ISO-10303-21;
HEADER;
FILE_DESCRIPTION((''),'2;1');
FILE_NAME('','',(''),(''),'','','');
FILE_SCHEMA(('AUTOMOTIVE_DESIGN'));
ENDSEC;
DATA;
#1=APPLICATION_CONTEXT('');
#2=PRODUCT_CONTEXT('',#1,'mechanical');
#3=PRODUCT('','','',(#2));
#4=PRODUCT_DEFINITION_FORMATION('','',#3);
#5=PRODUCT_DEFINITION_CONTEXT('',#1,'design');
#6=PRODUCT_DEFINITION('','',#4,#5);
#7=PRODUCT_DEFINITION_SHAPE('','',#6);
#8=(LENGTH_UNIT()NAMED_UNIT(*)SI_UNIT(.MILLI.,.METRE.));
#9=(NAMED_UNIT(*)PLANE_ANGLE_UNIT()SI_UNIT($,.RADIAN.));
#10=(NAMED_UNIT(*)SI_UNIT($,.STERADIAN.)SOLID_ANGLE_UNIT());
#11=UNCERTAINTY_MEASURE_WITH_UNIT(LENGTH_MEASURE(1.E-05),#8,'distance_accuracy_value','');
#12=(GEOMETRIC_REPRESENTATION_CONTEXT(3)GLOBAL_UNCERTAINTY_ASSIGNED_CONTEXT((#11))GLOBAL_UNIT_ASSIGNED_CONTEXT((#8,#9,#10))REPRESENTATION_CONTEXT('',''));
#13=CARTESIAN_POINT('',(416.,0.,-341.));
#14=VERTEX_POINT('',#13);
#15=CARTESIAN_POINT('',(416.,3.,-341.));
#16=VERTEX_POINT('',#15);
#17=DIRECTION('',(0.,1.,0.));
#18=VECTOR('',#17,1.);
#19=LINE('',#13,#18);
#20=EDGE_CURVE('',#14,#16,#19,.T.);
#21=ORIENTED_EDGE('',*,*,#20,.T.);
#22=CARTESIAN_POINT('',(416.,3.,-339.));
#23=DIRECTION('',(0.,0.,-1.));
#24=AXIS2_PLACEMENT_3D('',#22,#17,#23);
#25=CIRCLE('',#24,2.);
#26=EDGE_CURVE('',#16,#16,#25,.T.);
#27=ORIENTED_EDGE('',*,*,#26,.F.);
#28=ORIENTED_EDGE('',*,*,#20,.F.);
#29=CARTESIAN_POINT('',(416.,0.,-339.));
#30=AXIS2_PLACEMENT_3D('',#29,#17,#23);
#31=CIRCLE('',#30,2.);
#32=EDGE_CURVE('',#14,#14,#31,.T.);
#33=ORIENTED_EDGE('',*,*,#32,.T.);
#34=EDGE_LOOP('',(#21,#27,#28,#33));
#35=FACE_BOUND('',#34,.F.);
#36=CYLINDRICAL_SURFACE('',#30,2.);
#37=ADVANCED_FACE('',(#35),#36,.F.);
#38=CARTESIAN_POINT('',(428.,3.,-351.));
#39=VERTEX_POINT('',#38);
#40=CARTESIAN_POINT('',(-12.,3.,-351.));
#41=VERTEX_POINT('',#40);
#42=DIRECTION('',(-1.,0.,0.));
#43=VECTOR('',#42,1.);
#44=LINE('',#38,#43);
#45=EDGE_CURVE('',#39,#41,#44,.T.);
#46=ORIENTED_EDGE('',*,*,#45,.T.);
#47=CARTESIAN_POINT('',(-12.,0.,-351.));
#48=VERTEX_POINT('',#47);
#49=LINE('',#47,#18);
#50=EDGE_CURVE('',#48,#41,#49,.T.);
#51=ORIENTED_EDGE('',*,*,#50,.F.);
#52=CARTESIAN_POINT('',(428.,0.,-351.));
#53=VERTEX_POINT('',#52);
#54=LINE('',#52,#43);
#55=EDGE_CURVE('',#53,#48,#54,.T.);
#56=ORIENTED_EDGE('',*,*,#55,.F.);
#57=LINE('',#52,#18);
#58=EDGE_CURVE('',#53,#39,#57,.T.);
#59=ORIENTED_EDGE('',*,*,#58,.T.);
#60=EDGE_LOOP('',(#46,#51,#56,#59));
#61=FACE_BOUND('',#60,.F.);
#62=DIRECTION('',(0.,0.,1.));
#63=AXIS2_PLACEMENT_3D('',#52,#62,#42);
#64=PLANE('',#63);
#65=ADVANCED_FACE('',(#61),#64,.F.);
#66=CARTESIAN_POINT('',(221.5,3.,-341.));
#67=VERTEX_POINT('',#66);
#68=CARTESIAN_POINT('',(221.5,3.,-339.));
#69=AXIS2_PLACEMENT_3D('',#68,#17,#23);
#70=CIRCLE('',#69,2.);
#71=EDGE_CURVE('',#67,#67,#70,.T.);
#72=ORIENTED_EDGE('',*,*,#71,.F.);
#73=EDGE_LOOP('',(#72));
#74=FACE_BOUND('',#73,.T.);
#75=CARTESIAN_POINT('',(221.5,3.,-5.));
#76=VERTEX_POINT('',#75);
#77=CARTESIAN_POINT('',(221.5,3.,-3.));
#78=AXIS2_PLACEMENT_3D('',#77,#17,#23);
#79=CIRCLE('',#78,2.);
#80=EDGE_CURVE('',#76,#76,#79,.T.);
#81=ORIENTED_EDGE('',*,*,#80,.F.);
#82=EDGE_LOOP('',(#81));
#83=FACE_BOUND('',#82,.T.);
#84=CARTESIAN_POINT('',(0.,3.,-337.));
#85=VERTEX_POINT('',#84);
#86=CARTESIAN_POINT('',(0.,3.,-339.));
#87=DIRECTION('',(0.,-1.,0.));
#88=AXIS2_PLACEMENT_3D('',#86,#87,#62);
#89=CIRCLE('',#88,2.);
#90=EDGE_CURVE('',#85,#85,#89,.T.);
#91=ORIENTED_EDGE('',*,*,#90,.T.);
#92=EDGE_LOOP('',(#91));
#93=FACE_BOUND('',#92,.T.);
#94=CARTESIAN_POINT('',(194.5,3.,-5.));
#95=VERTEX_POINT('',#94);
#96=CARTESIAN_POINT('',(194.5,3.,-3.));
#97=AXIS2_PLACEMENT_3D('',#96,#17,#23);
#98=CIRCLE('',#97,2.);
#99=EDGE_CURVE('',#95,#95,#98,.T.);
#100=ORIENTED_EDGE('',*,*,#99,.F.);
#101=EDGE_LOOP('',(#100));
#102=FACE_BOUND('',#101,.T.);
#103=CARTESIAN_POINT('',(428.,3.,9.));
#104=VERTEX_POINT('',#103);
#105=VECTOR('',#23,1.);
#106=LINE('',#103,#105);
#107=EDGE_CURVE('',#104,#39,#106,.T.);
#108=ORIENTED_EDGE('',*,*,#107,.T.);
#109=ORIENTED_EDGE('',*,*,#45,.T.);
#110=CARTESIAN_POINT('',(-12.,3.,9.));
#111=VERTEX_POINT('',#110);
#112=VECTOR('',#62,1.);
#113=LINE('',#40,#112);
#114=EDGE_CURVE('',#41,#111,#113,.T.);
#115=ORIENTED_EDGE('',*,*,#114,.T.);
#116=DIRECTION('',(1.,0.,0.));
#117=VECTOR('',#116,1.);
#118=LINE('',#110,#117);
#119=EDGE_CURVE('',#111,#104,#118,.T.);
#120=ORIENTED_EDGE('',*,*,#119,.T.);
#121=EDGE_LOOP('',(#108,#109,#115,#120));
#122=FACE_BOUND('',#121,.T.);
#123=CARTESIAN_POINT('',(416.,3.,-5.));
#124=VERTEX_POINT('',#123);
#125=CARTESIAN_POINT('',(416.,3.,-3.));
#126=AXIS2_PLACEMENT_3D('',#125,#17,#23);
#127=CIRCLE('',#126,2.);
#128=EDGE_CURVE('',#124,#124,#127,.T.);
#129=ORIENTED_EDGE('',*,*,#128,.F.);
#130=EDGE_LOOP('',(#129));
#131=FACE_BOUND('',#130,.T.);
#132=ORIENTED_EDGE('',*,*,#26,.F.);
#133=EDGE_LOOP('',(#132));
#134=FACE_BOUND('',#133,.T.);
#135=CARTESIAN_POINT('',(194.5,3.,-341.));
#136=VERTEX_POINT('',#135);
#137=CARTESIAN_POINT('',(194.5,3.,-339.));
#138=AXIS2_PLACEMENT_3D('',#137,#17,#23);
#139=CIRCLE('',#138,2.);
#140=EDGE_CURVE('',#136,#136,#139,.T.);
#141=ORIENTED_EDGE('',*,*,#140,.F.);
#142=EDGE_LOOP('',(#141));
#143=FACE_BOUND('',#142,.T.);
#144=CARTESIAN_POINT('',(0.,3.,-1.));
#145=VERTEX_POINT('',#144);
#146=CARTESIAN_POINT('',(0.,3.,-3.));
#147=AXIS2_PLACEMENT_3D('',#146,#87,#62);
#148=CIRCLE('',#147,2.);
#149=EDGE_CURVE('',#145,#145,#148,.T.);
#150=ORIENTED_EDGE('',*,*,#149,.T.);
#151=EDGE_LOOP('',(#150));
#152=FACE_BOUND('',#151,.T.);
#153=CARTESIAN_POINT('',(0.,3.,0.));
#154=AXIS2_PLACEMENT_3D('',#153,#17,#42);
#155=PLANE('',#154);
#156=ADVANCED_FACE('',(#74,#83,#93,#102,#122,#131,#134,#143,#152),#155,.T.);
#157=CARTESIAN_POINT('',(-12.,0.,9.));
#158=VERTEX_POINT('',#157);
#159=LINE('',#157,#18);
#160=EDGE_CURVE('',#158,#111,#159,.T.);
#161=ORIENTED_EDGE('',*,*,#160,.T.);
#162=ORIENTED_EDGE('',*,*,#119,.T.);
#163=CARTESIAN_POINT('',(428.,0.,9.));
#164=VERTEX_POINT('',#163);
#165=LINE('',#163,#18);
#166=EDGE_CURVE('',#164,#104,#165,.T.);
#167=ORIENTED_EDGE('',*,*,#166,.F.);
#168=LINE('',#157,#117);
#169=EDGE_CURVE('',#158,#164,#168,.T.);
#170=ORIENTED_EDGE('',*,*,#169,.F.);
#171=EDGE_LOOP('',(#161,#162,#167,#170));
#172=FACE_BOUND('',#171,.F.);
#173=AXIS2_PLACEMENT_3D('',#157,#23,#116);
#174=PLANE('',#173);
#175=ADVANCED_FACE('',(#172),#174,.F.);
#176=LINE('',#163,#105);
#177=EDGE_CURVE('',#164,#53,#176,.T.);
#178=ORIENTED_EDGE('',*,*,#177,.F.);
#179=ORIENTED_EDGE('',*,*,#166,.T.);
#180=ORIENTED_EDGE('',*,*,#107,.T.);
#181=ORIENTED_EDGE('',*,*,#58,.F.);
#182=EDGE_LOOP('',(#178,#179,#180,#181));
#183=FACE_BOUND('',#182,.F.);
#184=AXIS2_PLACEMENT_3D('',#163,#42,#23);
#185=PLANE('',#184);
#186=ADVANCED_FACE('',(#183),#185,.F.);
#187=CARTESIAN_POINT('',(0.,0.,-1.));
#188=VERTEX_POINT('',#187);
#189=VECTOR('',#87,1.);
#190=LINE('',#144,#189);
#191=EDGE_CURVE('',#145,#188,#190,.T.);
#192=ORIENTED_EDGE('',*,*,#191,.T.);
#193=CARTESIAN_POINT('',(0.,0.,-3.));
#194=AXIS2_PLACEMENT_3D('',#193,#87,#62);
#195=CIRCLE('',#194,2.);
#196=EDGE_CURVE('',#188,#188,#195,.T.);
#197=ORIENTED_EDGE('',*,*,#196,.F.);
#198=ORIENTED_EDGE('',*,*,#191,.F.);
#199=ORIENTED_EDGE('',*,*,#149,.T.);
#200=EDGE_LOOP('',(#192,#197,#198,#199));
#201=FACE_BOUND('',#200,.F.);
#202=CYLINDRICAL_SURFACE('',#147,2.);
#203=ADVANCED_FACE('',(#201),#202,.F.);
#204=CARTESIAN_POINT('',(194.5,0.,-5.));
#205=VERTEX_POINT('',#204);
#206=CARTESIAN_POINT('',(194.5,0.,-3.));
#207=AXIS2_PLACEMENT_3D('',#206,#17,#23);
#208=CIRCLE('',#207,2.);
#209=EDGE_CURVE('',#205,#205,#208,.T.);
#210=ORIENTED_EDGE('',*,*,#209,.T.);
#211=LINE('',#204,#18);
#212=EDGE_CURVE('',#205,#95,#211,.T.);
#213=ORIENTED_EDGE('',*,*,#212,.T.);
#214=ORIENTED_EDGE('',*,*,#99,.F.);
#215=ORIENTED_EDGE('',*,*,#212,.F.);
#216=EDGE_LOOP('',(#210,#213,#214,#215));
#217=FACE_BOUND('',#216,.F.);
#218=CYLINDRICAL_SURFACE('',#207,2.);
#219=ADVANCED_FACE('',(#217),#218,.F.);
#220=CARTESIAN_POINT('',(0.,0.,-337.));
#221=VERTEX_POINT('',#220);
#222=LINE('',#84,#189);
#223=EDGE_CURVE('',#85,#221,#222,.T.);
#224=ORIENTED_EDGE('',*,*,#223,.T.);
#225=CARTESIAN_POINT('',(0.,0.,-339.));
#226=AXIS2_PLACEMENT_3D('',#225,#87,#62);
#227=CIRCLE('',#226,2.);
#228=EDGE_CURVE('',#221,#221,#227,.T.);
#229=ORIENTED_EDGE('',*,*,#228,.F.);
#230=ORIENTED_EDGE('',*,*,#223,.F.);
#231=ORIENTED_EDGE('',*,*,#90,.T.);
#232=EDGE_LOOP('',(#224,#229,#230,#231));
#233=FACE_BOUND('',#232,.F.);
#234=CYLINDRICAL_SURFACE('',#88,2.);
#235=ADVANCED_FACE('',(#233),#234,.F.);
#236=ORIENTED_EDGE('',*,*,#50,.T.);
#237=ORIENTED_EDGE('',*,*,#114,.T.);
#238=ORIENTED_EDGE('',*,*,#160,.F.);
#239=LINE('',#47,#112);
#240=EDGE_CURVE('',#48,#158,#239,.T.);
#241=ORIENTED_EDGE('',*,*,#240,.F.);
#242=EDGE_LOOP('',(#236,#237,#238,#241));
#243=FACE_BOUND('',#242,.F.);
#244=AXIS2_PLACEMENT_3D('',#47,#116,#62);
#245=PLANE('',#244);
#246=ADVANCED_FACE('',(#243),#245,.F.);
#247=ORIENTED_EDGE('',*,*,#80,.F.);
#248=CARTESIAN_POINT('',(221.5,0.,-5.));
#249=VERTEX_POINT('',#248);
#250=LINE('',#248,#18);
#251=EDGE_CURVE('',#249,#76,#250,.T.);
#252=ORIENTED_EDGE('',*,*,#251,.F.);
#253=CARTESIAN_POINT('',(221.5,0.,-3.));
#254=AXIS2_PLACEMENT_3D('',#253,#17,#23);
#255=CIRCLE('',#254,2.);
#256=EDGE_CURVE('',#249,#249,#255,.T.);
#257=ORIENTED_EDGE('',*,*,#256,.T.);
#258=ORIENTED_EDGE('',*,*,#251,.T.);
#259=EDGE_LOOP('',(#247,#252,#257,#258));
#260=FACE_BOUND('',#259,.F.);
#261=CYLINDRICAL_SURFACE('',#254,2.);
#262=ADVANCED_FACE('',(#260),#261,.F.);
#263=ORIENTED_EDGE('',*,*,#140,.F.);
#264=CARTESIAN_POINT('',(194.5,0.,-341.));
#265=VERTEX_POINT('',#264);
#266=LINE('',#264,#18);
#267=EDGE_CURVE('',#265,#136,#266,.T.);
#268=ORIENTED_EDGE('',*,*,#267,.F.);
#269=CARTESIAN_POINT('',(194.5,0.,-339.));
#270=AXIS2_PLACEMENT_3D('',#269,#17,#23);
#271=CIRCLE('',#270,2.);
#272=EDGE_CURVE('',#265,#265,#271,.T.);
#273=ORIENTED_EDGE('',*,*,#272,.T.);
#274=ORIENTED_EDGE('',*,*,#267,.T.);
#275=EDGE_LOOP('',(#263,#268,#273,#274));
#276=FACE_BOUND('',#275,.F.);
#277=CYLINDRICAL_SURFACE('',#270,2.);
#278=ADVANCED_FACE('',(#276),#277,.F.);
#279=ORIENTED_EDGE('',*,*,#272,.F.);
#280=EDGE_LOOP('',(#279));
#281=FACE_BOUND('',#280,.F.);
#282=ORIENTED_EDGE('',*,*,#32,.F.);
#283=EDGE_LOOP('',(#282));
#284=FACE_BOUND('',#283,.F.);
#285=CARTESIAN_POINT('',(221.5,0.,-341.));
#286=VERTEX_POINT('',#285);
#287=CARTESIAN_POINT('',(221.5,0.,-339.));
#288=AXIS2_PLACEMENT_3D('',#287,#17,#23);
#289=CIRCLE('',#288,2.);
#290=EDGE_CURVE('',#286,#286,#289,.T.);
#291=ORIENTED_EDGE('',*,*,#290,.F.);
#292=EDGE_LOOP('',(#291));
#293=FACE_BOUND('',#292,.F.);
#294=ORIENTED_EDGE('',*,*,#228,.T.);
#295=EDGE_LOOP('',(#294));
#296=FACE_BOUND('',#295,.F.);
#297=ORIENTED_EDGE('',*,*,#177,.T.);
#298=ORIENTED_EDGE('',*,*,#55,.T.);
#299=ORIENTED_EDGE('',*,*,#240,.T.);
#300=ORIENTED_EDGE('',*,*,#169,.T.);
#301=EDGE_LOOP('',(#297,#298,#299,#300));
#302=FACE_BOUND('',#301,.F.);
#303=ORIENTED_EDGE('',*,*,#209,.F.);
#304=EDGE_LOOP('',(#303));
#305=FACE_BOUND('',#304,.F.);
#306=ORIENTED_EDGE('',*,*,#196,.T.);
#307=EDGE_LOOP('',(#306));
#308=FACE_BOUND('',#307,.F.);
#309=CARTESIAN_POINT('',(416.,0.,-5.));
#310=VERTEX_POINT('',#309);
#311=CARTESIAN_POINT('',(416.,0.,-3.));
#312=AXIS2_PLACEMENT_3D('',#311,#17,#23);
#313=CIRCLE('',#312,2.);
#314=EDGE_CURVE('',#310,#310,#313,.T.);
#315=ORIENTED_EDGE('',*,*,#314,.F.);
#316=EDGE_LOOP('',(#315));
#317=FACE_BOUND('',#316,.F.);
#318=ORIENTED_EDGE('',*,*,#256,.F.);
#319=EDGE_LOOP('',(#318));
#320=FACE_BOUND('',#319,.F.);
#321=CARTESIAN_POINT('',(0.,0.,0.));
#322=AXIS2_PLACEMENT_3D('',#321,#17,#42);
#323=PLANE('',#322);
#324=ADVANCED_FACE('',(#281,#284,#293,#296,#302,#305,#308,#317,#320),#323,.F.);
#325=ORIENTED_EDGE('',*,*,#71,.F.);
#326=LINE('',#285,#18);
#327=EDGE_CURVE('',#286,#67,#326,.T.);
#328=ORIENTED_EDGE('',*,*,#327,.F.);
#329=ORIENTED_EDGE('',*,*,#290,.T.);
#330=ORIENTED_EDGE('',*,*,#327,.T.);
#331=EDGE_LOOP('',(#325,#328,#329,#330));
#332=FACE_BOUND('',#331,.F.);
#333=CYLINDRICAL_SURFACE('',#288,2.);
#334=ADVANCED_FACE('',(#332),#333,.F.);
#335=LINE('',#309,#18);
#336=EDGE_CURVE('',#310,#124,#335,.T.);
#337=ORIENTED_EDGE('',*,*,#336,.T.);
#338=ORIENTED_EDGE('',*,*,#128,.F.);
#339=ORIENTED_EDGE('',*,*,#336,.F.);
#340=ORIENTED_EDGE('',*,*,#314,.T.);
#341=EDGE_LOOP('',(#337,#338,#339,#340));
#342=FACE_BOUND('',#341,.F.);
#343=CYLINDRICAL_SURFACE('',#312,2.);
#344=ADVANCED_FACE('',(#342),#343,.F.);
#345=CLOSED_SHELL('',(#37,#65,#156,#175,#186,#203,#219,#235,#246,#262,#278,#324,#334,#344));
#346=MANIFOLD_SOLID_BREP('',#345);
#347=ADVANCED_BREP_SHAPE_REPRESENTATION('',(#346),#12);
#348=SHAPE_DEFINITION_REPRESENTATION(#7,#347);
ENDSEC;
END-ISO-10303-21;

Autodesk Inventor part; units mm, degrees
ref_plane "YZ Plane" through (0, 0, 0) normal (1, 0, 0) x (0, 1, 0)
ref_plane "XZ Plane" through (0, 0, 0) normal (0, 1, 0) x (-1, 0, 0)
ref_plane "XY Plane" through (0, 0, 0) normal (0, 0, 1) x (1, 0, 0)
sketch "Sketch1" plane through (0, 0, 0) normal (0, 1, 0) x (-1, 0, 0)
  line L0 (12, 9) -> (-428, 9)
  line L1 (-428, 9) -> (-428, -351)
  line L2 (-428, -351) -> (12, -351)
  line L3 (12, -351) -> (12, 9)
  point P0 (0, 0)
  dimension "d0" = 440
  dimension "d1" = 360
extrude "Extrusion1" add sketch "Sketch1" along normal blind 3
hole "Hole1" at (0, 3, -3) direction (0, -1, 0) diameter 4 end through all
hole "Hole2" at (0, 3, -339) direction (0, -1, 0) diameter 4 end through all
hole "Hole3" at (416, 0, -3) direction (0, 1, 0) diameter 4 end through all
hole "Hole4" at (416, 0, -339) direction (0, 1, 0) diameter 4 end through all
hole "Hole5" at (194.5, 0, -339) direction (0, 1, 0) diameter 4 end through all
hole "Hole6" at (221.5, 0, -339) direction (0, 1, 0) diameter 4 end through all
hole "Hole7" at (194.5, 0, -3) direction (0, 1, 0) diameter 4 end through all
hole "Hole8" at (221.5, 0, -3) direction (0, 1, 0) diameter 4 end through all
properties part number "FrameBase" material "Dibond"
